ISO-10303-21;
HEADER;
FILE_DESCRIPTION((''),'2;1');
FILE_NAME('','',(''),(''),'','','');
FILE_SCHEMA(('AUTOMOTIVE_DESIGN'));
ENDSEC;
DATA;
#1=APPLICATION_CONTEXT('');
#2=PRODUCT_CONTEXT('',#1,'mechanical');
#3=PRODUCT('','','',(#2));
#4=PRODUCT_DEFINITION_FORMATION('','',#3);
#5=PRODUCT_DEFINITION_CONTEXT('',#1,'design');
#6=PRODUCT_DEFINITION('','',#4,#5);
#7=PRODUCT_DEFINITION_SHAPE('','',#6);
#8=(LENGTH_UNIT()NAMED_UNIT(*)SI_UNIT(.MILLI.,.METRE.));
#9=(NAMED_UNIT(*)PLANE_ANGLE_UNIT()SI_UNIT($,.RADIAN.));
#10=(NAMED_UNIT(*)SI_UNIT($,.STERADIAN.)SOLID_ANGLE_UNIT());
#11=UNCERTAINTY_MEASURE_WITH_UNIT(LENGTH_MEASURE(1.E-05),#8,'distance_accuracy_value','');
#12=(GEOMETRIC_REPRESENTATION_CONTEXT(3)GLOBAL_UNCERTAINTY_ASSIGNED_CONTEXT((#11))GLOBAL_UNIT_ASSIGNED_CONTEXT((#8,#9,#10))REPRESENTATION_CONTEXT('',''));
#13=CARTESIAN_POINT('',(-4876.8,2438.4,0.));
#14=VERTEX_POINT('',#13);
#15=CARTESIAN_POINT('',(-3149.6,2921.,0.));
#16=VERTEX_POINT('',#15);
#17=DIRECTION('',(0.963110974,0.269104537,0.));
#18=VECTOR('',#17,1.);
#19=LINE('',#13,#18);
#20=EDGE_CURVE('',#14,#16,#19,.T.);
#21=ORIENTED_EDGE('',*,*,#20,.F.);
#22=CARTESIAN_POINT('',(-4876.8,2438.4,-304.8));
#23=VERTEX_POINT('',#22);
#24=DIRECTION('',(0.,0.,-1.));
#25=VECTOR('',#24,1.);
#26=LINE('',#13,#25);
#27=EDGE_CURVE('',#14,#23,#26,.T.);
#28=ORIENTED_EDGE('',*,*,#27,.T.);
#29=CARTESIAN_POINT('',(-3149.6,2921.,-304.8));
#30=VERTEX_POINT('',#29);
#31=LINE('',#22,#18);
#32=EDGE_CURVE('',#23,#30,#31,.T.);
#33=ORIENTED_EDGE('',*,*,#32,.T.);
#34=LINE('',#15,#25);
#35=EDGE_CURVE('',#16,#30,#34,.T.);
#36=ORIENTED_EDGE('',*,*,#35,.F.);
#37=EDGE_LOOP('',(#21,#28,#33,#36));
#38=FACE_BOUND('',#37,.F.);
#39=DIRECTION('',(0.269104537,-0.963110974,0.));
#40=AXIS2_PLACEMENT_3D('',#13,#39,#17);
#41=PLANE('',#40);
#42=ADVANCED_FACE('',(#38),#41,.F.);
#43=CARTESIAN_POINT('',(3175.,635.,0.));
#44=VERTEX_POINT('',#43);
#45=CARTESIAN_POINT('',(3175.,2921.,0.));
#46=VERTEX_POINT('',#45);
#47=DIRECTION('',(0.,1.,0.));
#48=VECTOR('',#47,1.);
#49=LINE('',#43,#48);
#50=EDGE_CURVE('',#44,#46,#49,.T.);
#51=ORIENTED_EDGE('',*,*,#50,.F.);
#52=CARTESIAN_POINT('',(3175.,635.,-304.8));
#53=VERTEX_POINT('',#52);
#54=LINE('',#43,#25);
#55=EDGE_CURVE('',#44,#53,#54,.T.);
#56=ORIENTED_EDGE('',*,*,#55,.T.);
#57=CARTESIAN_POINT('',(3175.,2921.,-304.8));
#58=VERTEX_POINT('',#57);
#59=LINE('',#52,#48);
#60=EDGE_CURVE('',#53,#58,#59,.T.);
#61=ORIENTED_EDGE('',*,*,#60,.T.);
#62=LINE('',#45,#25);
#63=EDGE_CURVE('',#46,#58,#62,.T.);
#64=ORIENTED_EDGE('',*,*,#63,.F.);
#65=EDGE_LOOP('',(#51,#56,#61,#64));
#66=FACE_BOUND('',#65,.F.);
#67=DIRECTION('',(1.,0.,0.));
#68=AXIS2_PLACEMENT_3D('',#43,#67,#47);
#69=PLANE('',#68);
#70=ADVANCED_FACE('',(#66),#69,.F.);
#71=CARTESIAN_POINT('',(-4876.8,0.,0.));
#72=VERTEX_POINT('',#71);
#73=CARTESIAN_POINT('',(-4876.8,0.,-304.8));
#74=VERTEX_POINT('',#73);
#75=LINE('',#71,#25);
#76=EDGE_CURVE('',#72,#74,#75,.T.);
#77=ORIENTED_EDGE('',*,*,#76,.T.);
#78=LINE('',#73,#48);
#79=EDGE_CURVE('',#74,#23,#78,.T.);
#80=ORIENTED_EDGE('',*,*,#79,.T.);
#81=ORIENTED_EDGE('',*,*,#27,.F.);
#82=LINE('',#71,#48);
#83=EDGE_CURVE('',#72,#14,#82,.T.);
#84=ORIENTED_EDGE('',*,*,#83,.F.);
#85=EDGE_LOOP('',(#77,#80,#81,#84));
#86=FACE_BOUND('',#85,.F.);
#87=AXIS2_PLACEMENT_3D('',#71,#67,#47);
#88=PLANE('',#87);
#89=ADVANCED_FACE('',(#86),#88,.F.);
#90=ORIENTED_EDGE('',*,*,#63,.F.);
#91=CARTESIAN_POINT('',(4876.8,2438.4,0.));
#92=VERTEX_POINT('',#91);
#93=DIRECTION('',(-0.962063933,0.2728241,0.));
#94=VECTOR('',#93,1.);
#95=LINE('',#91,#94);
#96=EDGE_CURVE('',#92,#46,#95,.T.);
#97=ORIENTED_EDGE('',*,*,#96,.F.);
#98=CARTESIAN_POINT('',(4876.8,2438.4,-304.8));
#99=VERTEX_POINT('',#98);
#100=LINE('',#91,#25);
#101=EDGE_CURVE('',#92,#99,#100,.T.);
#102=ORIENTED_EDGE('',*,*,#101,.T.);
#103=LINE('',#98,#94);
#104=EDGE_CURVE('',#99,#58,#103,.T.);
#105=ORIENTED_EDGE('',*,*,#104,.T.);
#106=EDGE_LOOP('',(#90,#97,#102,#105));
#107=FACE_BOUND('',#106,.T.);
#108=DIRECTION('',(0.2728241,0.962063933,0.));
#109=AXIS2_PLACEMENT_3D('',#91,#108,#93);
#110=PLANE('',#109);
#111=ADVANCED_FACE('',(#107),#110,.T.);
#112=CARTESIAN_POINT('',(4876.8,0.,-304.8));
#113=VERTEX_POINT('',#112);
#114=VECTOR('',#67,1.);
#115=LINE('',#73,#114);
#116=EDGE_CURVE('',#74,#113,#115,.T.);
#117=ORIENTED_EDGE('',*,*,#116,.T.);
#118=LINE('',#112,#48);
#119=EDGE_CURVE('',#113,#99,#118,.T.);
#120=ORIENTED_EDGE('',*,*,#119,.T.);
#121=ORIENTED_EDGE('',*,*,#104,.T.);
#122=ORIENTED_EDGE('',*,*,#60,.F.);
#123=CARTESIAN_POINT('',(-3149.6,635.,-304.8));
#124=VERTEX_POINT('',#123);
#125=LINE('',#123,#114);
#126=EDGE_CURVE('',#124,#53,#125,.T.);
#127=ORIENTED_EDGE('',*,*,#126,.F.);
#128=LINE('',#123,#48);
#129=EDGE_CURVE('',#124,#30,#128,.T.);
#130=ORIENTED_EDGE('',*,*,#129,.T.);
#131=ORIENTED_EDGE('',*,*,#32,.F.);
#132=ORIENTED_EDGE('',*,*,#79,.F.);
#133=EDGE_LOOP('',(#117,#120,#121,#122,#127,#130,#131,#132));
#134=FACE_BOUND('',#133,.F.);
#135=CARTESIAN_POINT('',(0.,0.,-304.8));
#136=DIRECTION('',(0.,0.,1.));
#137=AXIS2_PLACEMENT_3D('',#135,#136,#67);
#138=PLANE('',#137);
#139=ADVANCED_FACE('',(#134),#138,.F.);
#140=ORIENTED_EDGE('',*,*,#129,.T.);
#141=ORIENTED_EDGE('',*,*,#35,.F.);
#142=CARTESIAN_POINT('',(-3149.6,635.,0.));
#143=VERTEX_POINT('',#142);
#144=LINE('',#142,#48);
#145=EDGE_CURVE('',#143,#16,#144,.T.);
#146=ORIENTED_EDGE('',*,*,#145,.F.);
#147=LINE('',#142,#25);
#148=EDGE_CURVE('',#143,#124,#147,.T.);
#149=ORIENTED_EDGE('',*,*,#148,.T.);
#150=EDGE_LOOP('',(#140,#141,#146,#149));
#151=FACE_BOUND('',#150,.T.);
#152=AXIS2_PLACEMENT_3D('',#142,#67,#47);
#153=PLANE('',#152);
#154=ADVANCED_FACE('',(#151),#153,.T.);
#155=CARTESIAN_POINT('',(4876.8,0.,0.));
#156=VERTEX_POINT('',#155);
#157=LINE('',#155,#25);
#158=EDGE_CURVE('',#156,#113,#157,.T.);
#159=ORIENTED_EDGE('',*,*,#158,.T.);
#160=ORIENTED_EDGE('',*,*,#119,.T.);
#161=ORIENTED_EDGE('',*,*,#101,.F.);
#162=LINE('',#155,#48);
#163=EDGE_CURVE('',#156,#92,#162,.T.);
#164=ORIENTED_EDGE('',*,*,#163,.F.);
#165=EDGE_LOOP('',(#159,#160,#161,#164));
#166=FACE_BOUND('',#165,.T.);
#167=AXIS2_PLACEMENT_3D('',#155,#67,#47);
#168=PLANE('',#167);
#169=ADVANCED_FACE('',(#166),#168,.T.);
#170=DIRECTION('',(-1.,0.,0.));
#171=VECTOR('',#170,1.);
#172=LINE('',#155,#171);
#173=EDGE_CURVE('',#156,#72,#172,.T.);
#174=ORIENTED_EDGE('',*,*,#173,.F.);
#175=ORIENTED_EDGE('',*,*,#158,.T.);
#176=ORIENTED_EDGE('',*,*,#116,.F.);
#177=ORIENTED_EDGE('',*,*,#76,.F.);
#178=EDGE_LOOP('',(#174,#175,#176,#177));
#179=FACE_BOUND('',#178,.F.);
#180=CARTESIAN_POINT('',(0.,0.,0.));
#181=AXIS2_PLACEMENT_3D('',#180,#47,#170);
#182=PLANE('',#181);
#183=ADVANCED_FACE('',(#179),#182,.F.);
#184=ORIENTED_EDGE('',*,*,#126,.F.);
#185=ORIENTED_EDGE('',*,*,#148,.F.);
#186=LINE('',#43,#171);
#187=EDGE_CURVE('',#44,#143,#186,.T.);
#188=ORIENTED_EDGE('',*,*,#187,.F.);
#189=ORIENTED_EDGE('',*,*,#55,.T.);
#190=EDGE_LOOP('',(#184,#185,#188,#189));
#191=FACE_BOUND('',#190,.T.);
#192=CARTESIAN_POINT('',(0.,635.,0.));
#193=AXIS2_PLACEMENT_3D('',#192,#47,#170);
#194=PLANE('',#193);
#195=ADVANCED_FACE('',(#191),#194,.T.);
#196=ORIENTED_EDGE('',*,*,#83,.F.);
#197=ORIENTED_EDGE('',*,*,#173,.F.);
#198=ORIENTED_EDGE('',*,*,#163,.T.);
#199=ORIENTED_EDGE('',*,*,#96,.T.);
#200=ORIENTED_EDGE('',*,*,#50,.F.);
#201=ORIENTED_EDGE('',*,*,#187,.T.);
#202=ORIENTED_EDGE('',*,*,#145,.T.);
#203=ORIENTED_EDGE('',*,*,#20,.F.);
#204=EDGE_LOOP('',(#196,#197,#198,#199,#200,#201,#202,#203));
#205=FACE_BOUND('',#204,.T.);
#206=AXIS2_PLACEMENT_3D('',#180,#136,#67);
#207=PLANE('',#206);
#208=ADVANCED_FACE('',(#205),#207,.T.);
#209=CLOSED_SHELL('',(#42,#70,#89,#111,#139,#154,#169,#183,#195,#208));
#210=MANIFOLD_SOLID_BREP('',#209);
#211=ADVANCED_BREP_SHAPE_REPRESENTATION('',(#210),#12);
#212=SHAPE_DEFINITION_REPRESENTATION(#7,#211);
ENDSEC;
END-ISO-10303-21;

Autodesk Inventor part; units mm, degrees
ref_plane "YZ Plane" through (0, 0, 0) normal (1, 0, 0) x (0, 1, 0)
ref_plane "XZ Plane" through (0, 0, 0) normal (0, 1, 0) x (-1, 0, 0)
ref_plane "XY Plane" through (0, 0, 0) normal (0, 0, 1) x (1, 0, 0)
sketch "Sketch1" plane through (0, 0, 0) normal (0, 0, 1) x (1, 0, 0)
  line L0 (0, 0) -> (-4876.8, 0)
  line L1 (-4876.8, 0) -> (-4876.8, 2438.4)
  line L2 (0, 635) -> (0, 5709.6647) construction
  line L3 (-3149.6, 635) -> (-3149.6, 2921)
  line L4 (0, 0) -> (0, 635)
  line L5 (0, 635) -> (-3149.6, 635)
  line L6 (-4876.8, 2438.4) -> (-3149.6, 2921)
  line L7 (0, 0) -> (4876.8, 0)
  line L8 (4876.8, 0) -> (4876.8, 2438.4)
  line L9 (4876.8, 2438.4) -> (3175, 2921)
  line L10 (0, 635) -> (3175, 635)
  line L11 (3175, 635) -> (3175, 2921)
  dimension "d0" = 4876.8
  dimension "d1" = 2438.4
  dimension "d3" = 1727.2
  dimension "d4" = 635
  dimension "d5" = 2921
  dimension "d6" = 4876.8
  dimension "d7" = 2438.4
  dimension "d8" = 2921
  dimension "d11" = 9753.6
  dimension "d12" = 1701.8
  dimension "d13" = 2286
  dimension "d14" = 2286
  dimension "d15" = 1793.3551
  dimension "d16" = 1768.9053
  dimension "d17" = 6324.6
  dimension "d18" = 3149.6
  dimension "d19" = 3175
extrude "Extrusion1" add sketch "Sketch1" against normal blind 304.8
properties part number "frontOfHouse"
